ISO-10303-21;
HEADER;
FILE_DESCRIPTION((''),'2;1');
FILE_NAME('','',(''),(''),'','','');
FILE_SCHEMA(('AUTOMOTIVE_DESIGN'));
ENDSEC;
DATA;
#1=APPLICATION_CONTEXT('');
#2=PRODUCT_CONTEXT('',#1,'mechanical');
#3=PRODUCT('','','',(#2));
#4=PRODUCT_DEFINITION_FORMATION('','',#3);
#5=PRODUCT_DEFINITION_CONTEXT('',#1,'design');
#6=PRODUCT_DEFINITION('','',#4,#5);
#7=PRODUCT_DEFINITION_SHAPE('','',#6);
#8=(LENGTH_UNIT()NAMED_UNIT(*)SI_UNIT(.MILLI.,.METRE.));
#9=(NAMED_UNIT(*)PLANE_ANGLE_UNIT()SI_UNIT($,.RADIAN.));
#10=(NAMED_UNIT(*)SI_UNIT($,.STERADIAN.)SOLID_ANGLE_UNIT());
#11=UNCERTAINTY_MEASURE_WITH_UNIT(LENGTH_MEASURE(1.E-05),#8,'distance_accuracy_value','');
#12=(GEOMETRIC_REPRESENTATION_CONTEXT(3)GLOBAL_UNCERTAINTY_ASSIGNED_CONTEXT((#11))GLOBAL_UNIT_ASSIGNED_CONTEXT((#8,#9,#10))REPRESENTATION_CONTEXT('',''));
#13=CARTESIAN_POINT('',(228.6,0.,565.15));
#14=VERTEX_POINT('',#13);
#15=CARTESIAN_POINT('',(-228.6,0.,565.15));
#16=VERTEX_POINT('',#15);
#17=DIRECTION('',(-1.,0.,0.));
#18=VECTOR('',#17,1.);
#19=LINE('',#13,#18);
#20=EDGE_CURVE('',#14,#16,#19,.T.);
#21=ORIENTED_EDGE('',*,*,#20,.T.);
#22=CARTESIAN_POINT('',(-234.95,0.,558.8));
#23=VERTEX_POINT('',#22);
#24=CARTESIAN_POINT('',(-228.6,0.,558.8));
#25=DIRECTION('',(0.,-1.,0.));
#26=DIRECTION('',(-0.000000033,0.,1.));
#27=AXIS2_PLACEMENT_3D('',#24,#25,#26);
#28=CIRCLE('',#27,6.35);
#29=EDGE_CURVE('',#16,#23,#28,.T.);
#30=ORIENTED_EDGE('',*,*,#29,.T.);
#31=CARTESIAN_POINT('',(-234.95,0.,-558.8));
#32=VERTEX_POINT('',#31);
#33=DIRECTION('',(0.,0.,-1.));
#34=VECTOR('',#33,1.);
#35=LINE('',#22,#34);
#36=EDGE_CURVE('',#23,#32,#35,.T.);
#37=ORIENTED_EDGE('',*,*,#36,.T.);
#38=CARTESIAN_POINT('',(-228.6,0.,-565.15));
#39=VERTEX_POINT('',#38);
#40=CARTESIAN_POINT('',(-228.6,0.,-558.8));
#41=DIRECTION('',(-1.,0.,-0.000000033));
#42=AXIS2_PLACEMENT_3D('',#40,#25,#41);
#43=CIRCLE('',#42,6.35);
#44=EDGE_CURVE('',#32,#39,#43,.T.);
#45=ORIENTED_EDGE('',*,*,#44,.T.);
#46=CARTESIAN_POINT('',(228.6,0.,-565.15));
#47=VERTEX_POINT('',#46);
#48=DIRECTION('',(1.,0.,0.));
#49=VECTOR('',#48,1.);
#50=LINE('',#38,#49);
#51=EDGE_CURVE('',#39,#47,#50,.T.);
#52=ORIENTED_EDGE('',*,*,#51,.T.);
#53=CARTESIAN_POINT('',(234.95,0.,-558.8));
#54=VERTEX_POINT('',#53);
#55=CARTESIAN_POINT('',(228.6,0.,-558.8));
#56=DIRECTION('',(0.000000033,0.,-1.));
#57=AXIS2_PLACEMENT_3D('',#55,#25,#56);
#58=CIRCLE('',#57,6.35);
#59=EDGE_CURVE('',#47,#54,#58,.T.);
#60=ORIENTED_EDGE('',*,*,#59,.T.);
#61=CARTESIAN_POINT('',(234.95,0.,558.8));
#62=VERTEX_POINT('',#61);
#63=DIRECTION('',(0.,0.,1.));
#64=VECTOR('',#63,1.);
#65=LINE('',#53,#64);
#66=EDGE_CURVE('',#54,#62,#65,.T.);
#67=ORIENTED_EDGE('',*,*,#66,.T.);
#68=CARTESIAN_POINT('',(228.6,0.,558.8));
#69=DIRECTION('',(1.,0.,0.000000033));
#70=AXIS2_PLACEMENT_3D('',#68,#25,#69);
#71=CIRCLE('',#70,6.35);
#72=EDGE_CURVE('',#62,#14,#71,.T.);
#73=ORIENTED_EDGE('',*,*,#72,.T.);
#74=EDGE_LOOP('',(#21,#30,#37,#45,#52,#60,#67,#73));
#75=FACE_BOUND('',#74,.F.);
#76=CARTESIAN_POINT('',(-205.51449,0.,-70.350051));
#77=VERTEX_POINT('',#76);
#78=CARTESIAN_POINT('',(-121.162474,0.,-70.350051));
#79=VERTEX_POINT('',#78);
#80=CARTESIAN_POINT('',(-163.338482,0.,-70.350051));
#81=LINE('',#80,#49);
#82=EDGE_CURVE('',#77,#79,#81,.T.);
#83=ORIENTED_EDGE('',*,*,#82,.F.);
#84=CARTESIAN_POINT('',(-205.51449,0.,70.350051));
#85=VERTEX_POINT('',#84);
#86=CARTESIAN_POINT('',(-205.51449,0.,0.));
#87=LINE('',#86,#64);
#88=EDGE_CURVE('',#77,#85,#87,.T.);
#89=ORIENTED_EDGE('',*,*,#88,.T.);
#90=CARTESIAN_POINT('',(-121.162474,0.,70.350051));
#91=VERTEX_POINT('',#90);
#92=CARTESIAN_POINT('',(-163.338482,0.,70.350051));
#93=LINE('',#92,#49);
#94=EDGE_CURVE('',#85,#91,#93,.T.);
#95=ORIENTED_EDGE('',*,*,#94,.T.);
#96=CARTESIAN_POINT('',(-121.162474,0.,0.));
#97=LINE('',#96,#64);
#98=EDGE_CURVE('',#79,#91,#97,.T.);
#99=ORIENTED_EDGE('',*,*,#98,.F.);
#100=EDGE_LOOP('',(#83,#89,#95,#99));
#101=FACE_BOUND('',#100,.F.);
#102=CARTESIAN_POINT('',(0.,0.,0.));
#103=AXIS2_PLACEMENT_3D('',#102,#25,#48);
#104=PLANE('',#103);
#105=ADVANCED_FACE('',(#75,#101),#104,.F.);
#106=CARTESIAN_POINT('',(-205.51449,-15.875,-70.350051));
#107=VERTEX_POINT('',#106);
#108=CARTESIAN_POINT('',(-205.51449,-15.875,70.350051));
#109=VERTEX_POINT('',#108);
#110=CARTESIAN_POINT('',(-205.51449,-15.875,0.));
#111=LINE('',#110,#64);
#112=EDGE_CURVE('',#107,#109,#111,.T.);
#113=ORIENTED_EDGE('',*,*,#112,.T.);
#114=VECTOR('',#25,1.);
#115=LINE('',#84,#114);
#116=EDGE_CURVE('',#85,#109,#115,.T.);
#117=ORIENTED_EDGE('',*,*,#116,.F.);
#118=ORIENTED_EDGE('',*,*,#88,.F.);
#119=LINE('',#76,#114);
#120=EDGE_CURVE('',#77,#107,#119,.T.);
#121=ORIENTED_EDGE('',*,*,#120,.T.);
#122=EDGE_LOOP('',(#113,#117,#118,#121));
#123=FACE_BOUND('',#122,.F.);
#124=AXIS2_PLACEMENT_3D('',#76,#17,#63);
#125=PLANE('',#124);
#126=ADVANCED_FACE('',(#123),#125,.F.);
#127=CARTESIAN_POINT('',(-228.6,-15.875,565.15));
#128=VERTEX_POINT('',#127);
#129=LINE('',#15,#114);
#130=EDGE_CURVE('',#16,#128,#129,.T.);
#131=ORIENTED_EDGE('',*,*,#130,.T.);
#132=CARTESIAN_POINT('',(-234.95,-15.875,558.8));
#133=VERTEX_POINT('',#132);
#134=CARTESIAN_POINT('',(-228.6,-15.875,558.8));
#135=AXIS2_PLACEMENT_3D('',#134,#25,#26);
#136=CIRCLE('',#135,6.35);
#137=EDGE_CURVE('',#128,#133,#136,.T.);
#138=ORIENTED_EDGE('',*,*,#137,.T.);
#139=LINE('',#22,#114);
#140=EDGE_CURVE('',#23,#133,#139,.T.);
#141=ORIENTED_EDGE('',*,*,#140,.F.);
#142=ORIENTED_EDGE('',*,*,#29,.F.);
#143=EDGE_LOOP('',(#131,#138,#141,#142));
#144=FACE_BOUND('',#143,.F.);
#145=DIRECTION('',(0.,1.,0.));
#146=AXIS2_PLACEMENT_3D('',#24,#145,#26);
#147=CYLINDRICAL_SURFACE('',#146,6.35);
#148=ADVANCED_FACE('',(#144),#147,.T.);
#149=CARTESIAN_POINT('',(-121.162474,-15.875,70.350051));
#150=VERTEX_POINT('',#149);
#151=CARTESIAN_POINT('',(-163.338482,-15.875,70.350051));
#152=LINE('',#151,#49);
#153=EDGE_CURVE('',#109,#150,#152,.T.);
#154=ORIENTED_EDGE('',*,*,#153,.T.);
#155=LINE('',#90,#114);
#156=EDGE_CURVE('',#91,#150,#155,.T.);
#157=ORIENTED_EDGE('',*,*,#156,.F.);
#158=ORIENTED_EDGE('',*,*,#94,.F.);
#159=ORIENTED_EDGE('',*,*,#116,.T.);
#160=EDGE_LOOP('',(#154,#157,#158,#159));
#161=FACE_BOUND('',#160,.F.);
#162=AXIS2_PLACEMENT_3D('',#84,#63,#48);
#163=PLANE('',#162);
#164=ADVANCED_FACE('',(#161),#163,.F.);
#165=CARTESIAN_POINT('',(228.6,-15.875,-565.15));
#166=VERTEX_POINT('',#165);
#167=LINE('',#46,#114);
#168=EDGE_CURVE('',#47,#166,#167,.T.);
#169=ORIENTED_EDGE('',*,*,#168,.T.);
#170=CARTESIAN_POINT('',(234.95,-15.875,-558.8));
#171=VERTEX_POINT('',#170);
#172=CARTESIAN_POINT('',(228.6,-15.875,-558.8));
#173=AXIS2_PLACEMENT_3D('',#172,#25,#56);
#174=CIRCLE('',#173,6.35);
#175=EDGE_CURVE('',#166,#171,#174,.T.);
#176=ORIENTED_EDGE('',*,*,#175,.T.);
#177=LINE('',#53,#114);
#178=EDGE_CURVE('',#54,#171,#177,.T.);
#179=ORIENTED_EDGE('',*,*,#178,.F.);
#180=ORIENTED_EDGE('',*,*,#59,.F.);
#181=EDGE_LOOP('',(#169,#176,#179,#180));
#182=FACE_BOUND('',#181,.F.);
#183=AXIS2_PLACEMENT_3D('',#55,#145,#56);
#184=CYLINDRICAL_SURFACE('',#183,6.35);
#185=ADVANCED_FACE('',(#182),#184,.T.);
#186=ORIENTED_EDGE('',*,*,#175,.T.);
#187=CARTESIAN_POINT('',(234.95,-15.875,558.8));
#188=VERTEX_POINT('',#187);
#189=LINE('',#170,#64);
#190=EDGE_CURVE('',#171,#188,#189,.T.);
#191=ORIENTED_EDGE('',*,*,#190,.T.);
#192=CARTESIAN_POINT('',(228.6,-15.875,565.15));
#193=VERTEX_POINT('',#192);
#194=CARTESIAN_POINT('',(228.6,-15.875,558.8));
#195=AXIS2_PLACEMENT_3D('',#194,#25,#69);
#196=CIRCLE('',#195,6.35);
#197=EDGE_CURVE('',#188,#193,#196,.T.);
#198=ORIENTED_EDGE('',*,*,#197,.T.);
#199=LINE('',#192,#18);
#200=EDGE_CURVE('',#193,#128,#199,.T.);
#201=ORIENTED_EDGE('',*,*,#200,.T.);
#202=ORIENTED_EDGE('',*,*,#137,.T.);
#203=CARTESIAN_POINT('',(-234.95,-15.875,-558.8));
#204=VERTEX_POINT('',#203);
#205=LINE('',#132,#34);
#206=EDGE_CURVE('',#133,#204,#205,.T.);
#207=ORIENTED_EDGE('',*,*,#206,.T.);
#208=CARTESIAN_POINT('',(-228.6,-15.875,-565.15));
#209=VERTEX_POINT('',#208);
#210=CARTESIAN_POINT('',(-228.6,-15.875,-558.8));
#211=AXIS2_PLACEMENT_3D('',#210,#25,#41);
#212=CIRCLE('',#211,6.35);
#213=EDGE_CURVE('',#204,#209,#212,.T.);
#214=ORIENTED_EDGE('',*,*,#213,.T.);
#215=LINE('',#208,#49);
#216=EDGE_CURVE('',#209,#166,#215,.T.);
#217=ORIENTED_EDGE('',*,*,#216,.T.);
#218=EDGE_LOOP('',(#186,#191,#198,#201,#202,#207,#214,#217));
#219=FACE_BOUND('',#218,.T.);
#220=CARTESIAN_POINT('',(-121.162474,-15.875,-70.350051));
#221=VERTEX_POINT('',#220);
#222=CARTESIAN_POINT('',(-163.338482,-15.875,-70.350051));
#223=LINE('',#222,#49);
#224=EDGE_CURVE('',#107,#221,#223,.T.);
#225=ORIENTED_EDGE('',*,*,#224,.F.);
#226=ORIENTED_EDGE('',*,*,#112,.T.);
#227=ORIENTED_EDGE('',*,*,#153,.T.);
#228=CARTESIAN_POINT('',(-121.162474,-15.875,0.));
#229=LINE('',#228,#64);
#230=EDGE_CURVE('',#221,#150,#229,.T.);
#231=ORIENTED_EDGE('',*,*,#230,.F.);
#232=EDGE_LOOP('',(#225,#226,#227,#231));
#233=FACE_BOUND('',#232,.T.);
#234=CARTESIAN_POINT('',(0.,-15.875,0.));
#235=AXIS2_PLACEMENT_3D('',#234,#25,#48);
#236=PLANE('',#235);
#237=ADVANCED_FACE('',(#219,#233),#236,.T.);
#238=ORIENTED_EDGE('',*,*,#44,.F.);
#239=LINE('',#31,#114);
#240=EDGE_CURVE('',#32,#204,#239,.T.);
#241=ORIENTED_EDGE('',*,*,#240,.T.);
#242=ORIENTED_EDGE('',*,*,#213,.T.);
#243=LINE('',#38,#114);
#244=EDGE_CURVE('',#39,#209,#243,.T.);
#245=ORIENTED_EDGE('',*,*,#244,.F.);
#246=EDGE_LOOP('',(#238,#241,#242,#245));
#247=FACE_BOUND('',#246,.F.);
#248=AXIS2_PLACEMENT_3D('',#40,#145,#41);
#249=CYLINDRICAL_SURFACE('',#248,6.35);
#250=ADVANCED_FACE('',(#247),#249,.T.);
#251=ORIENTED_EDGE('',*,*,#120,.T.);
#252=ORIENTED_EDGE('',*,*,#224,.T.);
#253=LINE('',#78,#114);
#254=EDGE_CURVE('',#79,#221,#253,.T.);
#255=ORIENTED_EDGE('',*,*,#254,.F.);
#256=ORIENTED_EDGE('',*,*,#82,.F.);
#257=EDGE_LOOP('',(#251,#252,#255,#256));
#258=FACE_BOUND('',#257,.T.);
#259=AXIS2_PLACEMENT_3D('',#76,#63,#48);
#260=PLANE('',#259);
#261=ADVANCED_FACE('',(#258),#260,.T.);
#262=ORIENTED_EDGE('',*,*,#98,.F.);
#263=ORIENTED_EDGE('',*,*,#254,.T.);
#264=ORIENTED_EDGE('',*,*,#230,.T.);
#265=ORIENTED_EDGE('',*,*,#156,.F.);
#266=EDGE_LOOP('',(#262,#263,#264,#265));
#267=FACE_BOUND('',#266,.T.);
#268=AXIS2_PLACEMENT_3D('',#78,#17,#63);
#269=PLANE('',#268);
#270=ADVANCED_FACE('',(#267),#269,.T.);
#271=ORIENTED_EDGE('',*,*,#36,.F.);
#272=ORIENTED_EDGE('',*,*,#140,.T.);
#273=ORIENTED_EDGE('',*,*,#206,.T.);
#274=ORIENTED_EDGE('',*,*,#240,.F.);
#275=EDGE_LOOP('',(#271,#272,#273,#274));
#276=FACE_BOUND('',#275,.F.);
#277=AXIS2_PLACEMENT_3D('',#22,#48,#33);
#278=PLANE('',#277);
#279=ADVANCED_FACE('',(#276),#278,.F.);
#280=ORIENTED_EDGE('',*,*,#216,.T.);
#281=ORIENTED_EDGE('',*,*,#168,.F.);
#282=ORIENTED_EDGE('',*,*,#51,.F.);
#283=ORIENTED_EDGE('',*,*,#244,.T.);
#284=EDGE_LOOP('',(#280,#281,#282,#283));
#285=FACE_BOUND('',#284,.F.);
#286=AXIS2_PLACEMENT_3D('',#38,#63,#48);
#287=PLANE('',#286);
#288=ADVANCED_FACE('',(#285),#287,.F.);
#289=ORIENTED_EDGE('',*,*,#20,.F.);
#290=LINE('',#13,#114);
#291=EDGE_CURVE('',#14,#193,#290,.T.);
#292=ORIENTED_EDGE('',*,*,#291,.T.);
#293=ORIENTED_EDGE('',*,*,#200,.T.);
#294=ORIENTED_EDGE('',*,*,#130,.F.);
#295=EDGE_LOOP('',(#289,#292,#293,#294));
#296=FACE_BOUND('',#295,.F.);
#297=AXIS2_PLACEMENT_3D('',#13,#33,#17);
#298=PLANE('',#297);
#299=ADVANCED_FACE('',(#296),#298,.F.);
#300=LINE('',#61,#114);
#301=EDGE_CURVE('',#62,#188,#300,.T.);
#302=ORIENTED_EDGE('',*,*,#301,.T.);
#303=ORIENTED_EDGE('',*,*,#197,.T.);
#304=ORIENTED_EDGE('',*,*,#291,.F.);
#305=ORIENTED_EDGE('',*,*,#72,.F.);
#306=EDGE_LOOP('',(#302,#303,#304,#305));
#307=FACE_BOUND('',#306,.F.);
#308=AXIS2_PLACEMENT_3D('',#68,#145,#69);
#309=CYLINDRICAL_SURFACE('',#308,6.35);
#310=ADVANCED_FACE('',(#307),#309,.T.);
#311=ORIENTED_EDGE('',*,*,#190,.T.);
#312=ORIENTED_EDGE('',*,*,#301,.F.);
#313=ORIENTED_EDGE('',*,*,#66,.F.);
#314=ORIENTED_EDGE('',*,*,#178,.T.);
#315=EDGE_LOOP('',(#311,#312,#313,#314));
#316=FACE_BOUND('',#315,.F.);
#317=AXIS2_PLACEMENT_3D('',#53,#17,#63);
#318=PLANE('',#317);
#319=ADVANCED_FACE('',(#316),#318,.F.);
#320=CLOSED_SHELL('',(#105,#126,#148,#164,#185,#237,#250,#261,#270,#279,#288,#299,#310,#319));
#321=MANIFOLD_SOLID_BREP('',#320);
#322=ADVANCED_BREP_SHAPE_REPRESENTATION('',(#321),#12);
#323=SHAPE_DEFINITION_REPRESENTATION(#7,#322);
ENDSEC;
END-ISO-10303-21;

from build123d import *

# Parameters (mm, degrees)
F0_W     = 84.352017
F0_H     = 140.700102
F1_DEPTH = 15.875


with BuildPart() as f1:
    # F0 (on Front) → F1 (new body)
    with BuildSketch(Plane.XZ):
        with BuildLine():
            Line((-228.6, -565.15), (228.6, -565.15))
            ThreePointArc((228.6, -565.15), (233.090128, -563.290128), (234.95, -558.8))
            Line((234.95, -558.8), (234.95, 558.8))
            ThreePointArc((234.95, 558.8), (233.090128, 563.290128), (228.6, 565.15))
            Line((228.6, 565.15), (-228.6, 565.15))
            ThreePointArc((-228.6, 565.15), (-233.090128, 563.290128), (-234.95, 558.8))
            Line((-234.95, 558.8), (-234.95, -558.8))
            ThreePointArc((-234.95, -558.8), (-233.090128, -563.290128), (-228.6, -565.15))
        make_face()
        with Locations((-163.338482, 0)):
            Rectangle(F0_W, F0_H, mode=Mode.SUBTRACT)
    extrude(amount=F1_DEPTH)


solid = f1.part
